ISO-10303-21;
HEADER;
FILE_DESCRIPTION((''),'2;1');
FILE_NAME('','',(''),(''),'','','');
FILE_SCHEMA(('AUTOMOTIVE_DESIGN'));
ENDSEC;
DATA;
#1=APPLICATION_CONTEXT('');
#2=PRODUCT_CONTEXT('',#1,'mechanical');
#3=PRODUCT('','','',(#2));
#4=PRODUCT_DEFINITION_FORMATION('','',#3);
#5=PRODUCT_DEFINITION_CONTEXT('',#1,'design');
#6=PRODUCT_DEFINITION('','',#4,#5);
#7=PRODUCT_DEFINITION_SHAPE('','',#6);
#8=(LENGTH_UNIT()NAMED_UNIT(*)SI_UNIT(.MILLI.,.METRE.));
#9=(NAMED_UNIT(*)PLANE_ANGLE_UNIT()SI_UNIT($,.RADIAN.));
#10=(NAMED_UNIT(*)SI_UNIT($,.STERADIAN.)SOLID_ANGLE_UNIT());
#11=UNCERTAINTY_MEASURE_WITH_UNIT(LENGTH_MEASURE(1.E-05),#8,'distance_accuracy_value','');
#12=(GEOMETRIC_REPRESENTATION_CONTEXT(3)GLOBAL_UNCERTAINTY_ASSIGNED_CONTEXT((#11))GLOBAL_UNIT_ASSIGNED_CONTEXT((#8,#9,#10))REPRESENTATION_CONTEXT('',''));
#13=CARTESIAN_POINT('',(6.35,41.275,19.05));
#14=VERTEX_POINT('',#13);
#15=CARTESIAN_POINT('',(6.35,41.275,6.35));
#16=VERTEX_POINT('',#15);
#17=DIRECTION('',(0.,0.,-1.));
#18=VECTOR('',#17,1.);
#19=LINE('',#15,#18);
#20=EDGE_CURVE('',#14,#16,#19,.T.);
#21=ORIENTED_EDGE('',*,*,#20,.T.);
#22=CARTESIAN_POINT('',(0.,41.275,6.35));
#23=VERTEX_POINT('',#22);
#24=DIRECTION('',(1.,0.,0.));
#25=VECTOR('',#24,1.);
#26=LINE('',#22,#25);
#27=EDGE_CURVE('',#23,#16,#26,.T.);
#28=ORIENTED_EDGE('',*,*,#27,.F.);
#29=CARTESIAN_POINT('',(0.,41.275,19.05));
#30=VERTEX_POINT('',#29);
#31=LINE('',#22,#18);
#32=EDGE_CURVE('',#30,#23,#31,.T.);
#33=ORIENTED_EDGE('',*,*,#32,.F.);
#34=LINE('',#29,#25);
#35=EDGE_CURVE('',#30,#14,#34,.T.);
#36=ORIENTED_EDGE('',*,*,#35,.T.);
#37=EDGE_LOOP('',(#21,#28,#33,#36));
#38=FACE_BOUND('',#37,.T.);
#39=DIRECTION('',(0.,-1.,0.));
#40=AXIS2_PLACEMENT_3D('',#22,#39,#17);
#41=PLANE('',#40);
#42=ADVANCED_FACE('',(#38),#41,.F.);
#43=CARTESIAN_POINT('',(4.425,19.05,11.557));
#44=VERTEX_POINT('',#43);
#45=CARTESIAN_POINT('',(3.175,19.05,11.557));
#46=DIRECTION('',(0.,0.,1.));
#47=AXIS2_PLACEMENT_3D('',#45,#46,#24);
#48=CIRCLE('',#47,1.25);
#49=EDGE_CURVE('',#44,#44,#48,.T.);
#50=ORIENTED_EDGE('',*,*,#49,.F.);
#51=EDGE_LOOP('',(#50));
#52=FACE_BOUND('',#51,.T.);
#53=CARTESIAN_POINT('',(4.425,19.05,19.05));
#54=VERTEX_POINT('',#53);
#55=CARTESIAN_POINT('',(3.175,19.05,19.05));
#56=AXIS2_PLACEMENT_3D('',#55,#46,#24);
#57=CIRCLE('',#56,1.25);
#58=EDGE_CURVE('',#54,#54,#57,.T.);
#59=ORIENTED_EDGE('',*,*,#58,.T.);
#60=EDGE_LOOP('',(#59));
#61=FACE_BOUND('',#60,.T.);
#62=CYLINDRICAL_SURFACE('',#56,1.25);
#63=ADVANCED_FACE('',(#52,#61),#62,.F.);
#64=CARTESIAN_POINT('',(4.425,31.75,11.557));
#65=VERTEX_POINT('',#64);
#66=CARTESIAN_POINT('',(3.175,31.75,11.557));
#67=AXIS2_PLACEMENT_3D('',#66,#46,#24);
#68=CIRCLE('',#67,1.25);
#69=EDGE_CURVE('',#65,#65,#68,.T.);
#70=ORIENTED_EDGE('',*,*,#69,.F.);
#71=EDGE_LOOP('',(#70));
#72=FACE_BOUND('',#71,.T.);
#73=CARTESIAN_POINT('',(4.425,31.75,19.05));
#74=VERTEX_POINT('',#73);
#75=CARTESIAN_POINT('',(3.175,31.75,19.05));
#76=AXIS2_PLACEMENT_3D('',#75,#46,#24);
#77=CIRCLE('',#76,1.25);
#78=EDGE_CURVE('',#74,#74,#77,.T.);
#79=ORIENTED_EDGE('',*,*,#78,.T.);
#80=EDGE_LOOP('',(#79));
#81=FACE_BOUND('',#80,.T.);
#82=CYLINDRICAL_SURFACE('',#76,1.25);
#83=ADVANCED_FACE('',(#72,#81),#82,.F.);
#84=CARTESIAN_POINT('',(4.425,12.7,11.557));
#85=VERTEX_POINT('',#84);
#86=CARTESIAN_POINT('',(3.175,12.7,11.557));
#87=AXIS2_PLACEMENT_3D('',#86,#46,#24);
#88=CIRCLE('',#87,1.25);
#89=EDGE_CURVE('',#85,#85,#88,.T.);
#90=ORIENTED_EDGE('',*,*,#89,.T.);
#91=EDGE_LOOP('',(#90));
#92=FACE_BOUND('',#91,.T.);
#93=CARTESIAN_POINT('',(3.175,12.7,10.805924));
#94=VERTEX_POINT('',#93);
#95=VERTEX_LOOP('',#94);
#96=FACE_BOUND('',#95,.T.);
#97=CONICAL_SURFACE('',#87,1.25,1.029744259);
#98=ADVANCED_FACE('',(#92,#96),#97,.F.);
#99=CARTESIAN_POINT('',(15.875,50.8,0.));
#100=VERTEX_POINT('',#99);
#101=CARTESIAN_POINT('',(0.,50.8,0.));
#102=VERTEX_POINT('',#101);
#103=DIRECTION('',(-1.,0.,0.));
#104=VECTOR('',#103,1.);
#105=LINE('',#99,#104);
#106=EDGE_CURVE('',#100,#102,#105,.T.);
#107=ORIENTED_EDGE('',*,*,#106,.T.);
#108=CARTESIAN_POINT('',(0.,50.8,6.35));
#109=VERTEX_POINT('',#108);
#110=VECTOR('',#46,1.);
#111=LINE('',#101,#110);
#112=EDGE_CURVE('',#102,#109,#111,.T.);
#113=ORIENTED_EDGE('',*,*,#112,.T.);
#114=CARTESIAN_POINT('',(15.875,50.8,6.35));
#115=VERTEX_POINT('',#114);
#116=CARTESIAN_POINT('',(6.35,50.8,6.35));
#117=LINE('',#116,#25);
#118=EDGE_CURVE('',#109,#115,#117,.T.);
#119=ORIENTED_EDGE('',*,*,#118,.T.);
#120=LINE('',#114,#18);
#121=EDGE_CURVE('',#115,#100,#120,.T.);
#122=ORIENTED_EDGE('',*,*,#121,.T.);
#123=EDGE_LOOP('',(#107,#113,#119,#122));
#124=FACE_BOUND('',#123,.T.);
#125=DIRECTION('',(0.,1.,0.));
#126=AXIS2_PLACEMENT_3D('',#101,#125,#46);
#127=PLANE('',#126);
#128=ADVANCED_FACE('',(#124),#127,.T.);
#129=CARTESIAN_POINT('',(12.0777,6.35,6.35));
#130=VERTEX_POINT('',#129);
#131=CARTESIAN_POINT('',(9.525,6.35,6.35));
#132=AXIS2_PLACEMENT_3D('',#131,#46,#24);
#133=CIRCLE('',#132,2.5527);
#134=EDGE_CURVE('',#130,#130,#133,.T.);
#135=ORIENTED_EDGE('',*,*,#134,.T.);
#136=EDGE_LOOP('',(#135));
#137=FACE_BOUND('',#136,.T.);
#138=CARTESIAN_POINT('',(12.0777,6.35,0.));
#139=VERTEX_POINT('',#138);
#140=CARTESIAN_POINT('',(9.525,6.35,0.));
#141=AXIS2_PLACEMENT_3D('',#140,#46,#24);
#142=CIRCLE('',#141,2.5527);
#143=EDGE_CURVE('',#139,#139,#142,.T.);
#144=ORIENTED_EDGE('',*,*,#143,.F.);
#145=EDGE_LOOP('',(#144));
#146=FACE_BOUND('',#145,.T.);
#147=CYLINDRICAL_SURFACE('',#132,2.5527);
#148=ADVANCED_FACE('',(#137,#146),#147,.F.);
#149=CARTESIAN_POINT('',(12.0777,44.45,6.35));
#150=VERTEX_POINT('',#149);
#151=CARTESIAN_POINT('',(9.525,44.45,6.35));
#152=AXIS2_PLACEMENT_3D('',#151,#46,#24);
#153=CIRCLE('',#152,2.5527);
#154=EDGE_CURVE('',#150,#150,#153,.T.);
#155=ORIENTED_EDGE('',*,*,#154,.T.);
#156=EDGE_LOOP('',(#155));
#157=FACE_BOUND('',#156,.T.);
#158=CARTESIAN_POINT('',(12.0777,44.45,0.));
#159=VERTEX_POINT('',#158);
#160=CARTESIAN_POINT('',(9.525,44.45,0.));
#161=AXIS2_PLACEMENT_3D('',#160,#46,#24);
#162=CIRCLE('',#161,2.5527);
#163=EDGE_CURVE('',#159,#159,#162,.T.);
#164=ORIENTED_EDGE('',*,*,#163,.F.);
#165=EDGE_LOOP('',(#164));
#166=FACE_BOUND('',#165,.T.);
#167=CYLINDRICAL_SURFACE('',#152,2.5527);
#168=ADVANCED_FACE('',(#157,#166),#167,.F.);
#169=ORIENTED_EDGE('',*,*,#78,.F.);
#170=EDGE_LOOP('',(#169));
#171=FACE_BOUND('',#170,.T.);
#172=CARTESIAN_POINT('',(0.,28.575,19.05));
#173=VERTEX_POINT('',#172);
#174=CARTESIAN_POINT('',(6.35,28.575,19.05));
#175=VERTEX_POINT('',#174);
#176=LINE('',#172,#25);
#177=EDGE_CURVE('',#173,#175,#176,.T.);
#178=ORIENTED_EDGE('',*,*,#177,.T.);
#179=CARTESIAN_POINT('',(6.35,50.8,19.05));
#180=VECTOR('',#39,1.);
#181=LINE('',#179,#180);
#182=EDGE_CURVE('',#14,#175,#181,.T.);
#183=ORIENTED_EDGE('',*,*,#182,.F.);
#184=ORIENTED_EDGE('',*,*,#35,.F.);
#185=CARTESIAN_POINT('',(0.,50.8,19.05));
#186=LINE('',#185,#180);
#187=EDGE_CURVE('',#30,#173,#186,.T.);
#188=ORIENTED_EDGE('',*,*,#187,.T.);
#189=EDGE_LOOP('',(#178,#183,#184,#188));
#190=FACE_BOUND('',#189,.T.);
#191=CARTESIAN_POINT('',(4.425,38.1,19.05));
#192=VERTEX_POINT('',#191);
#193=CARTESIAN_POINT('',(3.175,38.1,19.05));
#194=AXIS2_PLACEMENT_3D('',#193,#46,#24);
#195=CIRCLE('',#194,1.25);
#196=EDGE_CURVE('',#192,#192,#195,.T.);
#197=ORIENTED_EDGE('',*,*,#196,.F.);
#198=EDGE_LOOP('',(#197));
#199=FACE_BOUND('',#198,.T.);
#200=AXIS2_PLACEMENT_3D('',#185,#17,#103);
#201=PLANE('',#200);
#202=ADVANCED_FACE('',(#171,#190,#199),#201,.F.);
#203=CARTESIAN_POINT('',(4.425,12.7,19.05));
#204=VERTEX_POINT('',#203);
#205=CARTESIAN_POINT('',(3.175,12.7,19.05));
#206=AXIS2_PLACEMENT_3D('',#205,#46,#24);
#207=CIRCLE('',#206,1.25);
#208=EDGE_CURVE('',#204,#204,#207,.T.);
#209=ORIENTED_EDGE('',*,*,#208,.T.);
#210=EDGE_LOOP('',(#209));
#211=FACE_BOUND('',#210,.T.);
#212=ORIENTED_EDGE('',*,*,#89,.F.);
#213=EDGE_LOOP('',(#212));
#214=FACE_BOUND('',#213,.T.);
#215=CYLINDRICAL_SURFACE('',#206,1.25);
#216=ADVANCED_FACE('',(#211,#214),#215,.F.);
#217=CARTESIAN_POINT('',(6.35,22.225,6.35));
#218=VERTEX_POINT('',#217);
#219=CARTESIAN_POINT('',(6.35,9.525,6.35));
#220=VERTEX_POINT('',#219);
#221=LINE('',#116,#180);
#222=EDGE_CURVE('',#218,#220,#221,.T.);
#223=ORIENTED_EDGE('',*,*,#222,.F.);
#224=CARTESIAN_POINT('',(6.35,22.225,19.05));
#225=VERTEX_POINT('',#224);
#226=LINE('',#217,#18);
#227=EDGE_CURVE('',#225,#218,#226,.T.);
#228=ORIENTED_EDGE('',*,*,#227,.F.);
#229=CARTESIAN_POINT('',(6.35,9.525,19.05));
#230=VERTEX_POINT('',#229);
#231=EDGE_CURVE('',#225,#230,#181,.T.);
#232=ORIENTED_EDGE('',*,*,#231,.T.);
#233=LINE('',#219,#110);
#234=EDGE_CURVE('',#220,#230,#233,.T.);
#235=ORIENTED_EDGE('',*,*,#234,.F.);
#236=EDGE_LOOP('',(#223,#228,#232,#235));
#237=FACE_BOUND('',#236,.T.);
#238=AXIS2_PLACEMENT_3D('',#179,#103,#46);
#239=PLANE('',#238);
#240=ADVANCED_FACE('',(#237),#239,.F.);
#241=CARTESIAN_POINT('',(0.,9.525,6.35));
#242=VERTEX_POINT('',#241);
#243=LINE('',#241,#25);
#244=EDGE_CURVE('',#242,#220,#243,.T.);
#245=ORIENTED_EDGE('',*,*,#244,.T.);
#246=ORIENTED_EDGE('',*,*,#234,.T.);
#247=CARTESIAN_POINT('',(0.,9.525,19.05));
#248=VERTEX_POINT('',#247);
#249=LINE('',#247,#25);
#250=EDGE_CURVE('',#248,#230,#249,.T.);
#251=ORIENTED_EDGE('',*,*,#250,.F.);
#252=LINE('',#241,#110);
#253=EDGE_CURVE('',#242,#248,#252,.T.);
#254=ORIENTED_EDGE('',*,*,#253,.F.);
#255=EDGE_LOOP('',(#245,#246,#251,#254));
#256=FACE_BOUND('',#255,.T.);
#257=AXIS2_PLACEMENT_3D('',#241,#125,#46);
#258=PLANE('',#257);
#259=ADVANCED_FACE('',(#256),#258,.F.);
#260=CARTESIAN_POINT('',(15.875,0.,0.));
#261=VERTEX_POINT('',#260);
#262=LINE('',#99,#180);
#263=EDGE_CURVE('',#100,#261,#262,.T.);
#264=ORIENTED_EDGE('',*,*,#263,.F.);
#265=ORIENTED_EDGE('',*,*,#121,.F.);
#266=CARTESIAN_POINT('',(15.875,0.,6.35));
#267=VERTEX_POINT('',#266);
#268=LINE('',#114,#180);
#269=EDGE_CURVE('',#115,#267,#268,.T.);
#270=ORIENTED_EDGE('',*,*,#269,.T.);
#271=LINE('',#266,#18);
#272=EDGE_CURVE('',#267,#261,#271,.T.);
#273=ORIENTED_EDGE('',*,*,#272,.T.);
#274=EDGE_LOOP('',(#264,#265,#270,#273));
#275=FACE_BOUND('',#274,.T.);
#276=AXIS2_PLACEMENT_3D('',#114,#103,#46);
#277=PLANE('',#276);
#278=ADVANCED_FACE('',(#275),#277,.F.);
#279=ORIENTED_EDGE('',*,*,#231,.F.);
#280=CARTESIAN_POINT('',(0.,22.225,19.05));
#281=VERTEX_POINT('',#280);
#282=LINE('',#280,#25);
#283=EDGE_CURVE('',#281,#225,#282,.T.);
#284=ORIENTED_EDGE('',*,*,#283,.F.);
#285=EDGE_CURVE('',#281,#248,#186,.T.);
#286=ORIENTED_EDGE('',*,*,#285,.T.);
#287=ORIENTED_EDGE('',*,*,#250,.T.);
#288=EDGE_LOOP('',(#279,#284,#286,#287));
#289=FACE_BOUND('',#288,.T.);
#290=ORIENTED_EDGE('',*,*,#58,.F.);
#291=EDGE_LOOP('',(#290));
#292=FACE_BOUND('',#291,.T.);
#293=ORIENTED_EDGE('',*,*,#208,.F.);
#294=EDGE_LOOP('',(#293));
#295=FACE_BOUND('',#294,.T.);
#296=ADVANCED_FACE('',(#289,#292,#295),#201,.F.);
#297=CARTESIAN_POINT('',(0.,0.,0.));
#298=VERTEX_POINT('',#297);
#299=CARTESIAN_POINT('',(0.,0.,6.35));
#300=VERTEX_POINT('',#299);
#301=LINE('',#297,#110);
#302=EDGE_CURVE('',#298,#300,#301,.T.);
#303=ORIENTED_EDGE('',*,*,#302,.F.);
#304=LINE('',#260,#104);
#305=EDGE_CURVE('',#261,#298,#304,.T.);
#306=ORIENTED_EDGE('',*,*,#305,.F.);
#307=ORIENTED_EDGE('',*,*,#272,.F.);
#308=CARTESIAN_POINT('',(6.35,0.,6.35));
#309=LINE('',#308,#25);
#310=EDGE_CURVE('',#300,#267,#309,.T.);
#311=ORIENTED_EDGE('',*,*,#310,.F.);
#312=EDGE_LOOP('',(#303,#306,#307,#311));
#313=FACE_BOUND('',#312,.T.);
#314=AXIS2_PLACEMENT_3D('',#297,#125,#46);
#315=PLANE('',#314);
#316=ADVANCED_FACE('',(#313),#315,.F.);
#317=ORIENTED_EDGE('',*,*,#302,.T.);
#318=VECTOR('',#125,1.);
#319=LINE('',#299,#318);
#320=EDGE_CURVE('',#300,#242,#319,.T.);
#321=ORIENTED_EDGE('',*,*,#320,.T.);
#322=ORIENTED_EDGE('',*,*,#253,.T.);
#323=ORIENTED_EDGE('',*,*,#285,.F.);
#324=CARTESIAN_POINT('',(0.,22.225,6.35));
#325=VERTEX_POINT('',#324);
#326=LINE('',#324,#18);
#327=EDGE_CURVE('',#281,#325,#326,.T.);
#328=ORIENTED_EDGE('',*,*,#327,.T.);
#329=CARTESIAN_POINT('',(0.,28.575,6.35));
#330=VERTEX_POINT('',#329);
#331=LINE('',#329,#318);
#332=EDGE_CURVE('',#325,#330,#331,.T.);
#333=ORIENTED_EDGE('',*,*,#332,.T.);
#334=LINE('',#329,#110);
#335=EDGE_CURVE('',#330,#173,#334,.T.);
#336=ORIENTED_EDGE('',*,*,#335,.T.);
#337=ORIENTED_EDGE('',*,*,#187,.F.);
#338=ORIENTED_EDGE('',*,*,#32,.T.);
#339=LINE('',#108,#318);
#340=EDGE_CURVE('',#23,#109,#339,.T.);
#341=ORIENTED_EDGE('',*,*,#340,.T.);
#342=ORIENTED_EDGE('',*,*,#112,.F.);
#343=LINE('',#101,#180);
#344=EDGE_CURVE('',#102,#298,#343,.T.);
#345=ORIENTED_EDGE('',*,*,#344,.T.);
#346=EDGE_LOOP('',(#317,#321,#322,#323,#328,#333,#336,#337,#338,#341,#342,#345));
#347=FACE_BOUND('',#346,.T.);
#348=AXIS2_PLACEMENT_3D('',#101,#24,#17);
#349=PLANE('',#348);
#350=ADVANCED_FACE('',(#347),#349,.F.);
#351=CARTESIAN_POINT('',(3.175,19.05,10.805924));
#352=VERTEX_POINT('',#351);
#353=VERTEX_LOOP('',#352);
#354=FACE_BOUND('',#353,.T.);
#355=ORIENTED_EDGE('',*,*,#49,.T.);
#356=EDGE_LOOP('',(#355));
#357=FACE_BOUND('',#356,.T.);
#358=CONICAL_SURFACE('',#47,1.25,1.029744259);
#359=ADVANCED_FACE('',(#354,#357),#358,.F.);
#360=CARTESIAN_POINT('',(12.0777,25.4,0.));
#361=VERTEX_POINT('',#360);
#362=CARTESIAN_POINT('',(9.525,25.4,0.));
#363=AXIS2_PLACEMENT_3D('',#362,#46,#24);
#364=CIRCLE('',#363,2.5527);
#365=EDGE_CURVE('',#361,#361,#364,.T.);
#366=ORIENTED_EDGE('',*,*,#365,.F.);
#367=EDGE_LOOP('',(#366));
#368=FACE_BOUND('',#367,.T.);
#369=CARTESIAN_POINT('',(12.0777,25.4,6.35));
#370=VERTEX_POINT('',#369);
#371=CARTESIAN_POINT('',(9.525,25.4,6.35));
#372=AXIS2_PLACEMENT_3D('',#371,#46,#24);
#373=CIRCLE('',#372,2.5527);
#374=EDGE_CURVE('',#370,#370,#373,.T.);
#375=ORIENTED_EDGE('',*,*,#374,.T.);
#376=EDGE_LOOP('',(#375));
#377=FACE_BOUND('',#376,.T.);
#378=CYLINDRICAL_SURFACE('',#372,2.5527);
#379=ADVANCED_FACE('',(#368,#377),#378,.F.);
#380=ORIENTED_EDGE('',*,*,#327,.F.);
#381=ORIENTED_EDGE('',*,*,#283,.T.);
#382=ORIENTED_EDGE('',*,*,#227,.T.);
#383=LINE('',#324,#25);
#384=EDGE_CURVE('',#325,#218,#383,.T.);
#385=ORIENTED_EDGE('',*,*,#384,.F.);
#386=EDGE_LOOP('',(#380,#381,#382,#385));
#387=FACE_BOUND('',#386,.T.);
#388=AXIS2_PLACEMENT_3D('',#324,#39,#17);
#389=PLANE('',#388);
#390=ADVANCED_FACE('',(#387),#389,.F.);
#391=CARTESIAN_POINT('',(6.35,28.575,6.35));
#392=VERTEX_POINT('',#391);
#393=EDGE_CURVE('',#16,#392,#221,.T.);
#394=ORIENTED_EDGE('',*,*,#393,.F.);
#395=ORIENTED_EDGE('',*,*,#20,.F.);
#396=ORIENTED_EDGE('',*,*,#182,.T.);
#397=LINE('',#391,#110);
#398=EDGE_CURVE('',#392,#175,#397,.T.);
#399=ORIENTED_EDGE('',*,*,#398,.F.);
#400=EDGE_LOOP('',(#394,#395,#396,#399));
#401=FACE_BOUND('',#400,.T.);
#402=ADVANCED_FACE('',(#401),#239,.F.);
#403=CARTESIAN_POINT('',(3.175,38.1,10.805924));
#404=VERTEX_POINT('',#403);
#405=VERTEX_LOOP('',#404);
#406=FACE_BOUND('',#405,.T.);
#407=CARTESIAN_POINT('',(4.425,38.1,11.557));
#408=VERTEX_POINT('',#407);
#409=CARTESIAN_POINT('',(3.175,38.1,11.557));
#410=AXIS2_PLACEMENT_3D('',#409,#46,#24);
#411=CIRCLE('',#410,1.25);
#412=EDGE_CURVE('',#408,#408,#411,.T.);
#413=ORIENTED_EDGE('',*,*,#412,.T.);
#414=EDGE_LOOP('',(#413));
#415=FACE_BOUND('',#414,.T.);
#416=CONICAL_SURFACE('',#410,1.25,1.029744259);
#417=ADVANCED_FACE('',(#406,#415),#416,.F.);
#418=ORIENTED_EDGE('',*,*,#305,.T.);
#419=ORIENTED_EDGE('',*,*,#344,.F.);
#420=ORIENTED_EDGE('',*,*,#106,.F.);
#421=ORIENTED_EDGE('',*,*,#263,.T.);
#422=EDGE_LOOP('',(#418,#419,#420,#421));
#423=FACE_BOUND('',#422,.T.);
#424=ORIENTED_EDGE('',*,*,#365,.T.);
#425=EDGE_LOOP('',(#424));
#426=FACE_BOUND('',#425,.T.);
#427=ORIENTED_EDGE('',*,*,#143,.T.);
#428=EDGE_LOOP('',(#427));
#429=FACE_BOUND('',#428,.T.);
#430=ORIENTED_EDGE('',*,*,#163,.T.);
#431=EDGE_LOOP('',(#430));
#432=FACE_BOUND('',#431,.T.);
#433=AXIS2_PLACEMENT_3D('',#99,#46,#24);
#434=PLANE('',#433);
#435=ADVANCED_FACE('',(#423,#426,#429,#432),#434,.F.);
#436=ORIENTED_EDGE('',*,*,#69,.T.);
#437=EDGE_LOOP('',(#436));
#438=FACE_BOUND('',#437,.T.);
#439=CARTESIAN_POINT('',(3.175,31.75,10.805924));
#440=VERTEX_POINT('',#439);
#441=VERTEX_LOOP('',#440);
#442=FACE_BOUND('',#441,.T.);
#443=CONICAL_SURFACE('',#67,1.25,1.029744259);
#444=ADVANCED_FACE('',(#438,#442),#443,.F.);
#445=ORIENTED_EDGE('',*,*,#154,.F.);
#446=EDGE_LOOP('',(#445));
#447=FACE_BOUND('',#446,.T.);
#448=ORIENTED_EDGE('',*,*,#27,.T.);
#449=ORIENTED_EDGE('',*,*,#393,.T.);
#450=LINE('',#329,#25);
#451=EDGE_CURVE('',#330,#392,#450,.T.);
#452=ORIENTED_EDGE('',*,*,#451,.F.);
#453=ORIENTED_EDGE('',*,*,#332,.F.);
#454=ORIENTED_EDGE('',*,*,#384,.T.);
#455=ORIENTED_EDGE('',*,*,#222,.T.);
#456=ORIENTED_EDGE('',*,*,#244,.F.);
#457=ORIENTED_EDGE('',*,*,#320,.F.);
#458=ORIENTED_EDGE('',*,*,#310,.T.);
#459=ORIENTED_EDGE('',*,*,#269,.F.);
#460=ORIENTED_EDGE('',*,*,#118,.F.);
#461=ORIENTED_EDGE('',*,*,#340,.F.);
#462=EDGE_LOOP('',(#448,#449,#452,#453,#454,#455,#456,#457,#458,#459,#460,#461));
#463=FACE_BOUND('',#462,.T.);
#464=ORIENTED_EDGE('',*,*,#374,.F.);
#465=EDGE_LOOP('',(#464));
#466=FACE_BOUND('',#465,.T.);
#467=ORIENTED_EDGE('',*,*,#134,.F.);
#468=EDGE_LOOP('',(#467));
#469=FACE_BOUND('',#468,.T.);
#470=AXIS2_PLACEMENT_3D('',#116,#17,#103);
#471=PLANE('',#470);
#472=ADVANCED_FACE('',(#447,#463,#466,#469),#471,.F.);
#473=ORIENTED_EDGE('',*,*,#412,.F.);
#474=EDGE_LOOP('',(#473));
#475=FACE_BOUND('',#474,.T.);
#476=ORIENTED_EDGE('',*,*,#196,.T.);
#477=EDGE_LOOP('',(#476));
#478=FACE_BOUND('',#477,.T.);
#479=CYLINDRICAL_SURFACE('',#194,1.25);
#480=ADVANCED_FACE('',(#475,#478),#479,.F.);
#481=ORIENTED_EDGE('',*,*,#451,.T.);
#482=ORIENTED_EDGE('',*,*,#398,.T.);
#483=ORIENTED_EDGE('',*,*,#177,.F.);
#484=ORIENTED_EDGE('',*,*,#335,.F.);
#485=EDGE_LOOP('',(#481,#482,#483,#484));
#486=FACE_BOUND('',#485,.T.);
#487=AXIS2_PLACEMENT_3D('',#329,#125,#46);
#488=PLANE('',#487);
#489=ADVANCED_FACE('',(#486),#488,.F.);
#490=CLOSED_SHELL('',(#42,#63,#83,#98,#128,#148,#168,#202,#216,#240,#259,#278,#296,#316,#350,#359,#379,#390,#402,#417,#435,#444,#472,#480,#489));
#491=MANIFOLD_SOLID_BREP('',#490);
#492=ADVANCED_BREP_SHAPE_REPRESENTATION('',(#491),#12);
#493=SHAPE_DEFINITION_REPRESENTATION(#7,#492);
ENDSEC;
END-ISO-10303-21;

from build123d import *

# Parameters (mm, degrees)
BOSS_EXTRUDE1_DEPTH        = 50.8
M3X0_5_TAPPED_HOLE1_D      = 2.5
M3X0_5_TAPPED_HOLE1_DEPTH  = 7.493
M3X0_5_TAPPED_HOLE1_TIP    = 0.751075774
SKETCH8_W                  = 12.7
SKETCH8_H                  = 9.525
SKETCH8_H_2                = 6.35
CUT_EXTRUDE1_DEPTH         = 7.35
F_10_CLEARANCE_HOLE1_D     = 5.1054
F_10_CLEARANCE_HOLE1_DEPTH = 6.35


with BuildPart() as part:
    # Sketch1 → Boss-Extrude1 (new body)
    with BuildSketch(Plane(origin=(0, 0, 0), x_dir=(1, 0, 0), z_dir=(0, 1, 0))):
        Polygon((0, 0), (0, -19.05), (6.35, -19.05), (6.35, -6.35), (15.875, -6.35), (15.875, 0), align=None)
    extrude(amount=BOSS_EXTRUDE1_DEPTH)

    # M3x0.5 Tapped Hole1
    with Locations(Plane.XY.offset(19.05)):
        with Locations((3.175, 38.1), (3.175, 12.7), (3.175, 19.05), (3.175, 31.75)):
            Hole(M3X0_5_TAPPED_HOLE1_D / 2, depth=M3X0_5_TAPPED_HOLE1_DEPTH)
            with Locations((0, 0, -(M3X0_5_TAPPED_HOLE1_DEPTH + M3X0_5_TAPPED_HOLE1_TIP / 2))):  # 118° drill point
                Cone(0, M3X0_5_TAPPED_HOLE1_D / 2, M3X0_5_TAPPED_HOLE1_TIP, mode=Mode.SUBTRACT)

    # Sketch8 → Cut-Extrude1 (cut, through all)
    with BuildSketch(Plane(origin=(6.35, 0, 0), x_dir=(0, 0, -1), z_dir=(1, 0, 0))):
        with Locations((-12.7, 4.7625)):
            Rectangle(SKETCH8_W, SKETCH8_H)
        with Locations((-12.7, 46.0375)):
            Rectangle(SKETCH8_W, SKETCH8_H)
        with Locations((-12.7, 25.4)):
            Rectangle(SKETCH8_W, SKETCH8_H_2)
    extrude(amount=-CUT_EXTRUDE1_DEPTH, mode=Mode.SUBTRACT)

    # #10 Clearance Hole1
    with Locations(Plane.XY.offset(6.35)):
        with Locations((9.525, 6.35), (9.525, 25.4), (9.525, 44.45)):
            Hole(F_10_CLEARANCE_HOLE1_D / 2, depth=F_10_CLEARANCE_HOLE1_DEPTH)


solid = part.part
